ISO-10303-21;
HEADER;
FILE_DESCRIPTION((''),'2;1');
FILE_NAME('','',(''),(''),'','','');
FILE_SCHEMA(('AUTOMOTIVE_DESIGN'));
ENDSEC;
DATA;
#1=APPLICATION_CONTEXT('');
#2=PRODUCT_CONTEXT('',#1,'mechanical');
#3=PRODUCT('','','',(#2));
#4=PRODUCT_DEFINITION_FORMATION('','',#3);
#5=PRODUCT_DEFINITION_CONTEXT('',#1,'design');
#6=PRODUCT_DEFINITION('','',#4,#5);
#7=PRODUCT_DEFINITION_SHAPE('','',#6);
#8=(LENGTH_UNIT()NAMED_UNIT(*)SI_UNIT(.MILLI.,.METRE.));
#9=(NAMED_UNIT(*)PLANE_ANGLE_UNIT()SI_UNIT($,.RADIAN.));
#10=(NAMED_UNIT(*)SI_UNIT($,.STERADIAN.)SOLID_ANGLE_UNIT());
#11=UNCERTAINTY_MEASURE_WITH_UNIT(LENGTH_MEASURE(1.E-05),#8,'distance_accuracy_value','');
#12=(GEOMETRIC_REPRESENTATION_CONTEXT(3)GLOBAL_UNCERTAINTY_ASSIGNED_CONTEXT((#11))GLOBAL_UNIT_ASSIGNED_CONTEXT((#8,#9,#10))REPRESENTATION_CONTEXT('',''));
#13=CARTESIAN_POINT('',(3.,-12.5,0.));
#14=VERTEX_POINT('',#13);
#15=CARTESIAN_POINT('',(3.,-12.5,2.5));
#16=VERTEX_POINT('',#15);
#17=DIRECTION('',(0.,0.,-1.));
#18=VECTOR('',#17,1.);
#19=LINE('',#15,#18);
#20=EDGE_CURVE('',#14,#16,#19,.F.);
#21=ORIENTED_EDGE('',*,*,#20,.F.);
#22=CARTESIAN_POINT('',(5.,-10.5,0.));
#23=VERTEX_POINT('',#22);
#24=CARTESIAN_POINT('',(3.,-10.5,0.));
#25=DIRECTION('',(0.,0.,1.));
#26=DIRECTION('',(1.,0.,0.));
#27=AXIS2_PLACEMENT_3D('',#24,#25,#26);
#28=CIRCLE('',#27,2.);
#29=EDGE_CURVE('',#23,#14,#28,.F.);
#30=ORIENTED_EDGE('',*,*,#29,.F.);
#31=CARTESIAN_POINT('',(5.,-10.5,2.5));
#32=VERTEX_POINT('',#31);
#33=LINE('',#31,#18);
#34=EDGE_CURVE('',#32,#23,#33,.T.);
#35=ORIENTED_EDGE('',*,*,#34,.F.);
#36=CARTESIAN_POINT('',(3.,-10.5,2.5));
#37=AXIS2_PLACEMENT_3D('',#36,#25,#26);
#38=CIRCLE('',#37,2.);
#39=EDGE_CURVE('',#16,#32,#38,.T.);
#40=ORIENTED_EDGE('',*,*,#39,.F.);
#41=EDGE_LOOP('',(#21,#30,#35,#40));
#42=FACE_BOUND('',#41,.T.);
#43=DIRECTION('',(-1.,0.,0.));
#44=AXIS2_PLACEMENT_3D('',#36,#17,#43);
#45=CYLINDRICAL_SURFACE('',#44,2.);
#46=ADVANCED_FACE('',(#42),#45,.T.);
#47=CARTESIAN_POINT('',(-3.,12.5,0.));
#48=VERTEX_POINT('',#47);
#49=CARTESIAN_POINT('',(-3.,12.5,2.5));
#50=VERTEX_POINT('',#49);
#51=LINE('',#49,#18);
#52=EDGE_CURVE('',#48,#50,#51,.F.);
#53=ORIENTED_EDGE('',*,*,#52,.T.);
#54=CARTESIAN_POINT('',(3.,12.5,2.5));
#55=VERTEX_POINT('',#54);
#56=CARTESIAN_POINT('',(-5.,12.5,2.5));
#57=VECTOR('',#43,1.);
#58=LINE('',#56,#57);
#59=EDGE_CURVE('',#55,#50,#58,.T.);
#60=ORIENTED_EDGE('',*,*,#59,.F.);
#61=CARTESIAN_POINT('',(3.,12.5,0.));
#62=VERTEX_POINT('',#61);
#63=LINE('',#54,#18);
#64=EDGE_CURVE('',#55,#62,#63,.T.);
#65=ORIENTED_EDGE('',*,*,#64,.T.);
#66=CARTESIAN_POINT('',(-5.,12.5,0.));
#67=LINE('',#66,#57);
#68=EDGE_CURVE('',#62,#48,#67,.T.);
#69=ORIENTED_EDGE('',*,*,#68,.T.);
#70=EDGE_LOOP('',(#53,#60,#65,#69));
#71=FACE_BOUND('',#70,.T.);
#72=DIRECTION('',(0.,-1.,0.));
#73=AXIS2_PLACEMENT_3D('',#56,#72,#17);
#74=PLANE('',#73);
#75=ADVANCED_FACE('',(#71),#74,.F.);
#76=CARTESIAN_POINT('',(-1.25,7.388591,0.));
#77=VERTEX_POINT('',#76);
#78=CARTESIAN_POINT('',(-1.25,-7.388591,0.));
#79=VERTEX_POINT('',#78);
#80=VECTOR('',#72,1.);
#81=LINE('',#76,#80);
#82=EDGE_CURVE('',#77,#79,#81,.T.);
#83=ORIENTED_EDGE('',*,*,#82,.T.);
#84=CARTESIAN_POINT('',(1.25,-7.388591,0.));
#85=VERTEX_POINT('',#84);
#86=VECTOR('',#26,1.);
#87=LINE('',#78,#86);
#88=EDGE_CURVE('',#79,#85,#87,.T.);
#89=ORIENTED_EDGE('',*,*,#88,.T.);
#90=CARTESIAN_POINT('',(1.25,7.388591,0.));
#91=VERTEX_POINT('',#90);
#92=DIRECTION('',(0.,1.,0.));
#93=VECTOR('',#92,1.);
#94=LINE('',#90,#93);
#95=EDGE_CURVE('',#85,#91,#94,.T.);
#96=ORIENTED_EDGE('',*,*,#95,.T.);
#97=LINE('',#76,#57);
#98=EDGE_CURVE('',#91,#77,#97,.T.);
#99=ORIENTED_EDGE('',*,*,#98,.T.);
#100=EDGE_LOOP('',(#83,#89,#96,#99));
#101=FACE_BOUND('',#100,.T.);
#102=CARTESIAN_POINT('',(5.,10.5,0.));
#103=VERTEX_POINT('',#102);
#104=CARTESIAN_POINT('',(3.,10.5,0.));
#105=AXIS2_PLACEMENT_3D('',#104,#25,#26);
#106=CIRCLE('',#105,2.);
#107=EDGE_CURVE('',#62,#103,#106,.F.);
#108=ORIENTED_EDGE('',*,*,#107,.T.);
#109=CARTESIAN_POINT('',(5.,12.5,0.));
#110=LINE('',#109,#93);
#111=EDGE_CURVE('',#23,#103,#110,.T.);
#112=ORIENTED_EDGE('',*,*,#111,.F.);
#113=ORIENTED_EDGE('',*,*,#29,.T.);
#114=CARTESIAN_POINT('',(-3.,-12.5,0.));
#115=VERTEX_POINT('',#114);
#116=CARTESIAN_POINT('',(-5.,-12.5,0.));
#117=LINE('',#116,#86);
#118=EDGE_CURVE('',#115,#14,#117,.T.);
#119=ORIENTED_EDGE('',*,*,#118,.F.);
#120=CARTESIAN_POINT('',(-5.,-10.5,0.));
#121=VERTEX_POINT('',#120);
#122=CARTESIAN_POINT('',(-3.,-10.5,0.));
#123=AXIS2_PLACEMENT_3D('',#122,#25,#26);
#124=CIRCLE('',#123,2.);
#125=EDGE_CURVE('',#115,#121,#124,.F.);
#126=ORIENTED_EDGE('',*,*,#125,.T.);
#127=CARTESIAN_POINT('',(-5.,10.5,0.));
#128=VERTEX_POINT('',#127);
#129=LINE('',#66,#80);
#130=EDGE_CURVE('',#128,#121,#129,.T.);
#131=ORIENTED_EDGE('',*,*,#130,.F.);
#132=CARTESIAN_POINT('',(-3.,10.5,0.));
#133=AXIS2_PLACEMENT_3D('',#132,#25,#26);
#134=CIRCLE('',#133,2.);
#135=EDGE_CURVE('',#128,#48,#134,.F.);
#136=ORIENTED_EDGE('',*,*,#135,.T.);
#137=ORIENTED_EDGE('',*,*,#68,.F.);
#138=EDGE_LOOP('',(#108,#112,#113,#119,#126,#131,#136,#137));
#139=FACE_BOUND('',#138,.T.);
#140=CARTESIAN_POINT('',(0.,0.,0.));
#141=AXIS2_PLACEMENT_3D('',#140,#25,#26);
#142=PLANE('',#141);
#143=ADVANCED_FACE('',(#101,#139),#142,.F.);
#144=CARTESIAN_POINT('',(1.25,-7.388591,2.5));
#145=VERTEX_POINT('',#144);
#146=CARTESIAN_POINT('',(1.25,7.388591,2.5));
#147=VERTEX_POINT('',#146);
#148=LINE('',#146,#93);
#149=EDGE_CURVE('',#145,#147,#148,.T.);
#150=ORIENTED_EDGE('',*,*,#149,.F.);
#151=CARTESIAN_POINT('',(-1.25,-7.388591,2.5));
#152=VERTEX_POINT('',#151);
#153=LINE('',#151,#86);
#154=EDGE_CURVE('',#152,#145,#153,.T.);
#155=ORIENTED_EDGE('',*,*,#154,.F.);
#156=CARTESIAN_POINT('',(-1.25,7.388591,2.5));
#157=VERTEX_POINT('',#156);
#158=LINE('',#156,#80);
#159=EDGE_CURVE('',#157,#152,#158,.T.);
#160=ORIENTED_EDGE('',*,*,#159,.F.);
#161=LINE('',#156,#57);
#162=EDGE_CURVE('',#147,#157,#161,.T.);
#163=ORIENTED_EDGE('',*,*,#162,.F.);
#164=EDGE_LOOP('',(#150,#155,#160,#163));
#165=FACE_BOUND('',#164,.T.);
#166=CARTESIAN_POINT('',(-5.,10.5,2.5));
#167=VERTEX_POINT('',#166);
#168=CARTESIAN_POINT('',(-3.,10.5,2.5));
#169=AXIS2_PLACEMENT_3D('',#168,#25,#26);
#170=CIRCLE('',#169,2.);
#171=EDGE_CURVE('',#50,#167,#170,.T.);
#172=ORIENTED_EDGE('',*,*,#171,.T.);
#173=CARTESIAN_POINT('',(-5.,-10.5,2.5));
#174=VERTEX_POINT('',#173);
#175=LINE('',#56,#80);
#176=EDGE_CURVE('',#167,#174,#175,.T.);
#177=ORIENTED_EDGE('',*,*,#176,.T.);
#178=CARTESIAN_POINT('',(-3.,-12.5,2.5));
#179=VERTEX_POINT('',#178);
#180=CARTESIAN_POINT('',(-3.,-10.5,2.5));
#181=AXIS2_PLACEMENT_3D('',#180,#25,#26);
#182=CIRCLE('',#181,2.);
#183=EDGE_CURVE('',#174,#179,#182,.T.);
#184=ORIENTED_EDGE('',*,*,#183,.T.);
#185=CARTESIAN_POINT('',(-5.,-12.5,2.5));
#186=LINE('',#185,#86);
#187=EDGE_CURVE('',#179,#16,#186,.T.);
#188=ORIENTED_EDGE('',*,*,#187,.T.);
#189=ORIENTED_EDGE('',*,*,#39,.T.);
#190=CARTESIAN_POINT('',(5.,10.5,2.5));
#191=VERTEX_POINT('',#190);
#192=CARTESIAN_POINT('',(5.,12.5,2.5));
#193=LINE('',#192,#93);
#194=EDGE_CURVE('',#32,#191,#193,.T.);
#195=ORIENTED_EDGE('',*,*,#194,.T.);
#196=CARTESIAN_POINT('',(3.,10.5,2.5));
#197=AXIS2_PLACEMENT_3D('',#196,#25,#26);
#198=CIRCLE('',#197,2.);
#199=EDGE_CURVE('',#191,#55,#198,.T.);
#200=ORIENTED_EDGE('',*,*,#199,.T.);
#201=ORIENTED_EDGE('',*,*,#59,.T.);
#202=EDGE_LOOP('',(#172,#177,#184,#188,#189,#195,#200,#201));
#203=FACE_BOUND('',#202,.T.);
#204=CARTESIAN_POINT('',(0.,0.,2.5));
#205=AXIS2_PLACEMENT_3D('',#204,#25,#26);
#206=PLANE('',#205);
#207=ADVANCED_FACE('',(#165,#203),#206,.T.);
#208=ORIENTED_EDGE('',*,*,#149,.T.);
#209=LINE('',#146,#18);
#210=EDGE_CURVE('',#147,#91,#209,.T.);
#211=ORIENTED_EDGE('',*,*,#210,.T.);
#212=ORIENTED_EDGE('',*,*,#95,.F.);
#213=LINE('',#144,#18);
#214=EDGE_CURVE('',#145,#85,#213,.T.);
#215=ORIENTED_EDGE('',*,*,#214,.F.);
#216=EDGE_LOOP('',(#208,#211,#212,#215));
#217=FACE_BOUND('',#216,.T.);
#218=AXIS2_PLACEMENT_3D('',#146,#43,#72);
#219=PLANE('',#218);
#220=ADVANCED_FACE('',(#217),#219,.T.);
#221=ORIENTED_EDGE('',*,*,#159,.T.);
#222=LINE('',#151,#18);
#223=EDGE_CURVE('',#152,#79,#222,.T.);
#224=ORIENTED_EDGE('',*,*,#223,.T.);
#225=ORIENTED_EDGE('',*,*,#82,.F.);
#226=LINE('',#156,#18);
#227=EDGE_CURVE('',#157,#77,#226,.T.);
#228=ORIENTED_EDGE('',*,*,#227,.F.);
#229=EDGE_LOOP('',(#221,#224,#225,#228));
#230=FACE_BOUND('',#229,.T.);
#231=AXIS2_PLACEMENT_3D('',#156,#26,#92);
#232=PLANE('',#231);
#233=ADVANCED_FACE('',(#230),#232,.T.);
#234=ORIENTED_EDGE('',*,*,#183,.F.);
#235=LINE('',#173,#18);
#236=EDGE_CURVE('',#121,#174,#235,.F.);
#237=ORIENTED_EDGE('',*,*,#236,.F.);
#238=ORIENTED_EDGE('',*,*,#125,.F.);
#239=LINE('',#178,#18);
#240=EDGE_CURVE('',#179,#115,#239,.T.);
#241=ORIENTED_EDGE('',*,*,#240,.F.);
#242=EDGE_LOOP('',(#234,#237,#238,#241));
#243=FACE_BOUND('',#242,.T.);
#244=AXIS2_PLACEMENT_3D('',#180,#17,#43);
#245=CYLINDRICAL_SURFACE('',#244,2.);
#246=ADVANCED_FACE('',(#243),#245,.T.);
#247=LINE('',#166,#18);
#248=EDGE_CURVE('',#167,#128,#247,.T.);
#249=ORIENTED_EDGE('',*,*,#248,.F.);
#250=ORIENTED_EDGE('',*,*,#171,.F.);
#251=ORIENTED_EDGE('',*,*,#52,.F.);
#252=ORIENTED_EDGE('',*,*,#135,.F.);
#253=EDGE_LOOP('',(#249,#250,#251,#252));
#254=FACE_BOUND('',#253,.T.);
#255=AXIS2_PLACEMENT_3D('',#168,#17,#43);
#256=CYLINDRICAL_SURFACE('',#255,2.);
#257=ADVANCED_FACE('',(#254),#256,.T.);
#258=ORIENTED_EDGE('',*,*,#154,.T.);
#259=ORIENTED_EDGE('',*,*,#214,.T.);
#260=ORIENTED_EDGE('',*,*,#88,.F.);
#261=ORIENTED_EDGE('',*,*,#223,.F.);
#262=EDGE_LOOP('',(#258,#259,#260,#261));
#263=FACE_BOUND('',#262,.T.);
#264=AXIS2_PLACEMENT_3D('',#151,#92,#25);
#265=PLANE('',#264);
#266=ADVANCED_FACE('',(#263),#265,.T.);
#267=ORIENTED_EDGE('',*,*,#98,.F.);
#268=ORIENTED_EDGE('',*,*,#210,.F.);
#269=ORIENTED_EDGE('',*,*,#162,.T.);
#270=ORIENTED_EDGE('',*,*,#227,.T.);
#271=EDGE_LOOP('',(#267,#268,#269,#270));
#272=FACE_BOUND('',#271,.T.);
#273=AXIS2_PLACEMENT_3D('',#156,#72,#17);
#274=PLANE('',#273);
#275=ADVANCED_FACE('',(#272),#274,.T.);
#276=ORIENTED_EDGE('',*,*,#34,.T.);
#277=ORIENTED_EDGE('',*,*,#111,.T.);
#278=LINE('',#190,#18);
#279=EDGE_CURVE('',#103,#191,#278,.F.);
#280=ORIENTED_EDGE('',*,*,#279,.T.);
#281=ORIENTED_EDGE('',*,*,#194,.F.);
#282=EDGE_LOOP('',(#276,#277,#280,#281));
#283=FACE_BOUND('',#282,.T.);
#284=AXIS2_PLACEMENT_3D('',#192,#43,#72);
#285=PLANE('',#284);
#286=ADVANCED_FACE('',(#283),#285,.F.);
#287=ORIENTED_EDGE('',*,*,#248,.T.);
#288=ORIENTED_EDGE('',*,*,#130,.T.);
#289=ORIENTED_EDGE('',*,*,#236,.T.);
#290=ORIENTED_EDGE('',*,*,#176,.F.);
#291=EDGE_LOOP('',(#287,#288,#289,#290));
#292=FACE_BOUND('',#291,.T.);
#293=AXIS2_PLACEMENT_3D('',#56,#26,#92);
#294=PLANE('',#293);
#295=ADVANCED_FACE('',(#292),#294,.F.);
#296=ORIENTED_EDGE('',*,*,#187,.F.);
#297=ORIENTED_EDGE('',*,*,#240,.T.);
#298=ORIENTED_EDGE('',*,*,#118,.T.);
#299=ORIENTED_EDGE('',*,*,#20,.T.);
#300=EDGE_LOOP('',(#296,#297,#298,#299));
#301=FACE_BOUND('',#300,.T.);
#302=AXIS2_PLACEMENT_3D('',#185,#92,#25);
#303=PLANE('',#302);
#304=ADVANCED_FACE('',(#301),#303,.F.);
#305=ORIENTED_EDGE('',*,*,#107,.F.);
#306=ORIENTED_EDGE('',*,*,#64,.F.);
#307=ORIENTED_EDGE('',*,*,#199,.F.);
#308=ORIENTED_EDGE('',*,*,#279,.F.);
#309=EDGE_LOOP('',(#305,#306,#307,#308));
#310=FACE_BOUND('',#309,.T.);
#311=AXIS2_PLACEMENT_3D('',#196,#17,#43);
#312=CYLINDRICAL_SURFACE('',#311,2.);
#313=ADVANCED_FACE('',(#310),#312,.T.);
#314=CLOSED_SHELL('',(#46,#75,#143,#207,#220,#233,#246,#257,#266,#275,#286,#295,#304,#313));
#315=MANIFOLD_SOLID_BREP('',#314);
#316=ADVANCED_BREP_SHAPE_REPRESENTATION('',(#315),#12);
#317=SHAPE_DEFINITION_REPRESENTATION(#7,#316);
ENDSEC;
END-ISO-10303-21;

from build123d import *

# Parameters (mm, degrees)
CROQUIS1_W              = 10
CROQUIS1_H              = 25
CROQUIS1_W_2            = 2.5
CROQUIS1_H_2            = 14.7771813
SALIENTE_EXTRUIR1_DEPTH = 2.5
REDONDEO1_R             = 2


with BuildPart() as part:
    # Croquis1 → Saliente-Extruir1 (new body)
    with BuildSketch(Plane.XY):
        Rectangle(CROQUIS1_W, CROQUIS1_H)
        Rectangle(CROQUIS1_W_2, CROQUIS1_H_2, mode=Mode.SUBTRACT)
    extrude(amount=SALIENTE_EXTRUIR1_DEPTH)

    # Redondeo1
    redondeo1_edges = [part.edges().sort_by_distance(p)[0] for p in [
        (5, -12.5, 1.25),
        (-5, -12.5, 1.25),
        (-5, 12.5, 1.25),
        (5, 12.5, 1.25),
    ]]
    fillet(redondeo1_edges, radius=REDONDEO1_R)


solid = part.part
